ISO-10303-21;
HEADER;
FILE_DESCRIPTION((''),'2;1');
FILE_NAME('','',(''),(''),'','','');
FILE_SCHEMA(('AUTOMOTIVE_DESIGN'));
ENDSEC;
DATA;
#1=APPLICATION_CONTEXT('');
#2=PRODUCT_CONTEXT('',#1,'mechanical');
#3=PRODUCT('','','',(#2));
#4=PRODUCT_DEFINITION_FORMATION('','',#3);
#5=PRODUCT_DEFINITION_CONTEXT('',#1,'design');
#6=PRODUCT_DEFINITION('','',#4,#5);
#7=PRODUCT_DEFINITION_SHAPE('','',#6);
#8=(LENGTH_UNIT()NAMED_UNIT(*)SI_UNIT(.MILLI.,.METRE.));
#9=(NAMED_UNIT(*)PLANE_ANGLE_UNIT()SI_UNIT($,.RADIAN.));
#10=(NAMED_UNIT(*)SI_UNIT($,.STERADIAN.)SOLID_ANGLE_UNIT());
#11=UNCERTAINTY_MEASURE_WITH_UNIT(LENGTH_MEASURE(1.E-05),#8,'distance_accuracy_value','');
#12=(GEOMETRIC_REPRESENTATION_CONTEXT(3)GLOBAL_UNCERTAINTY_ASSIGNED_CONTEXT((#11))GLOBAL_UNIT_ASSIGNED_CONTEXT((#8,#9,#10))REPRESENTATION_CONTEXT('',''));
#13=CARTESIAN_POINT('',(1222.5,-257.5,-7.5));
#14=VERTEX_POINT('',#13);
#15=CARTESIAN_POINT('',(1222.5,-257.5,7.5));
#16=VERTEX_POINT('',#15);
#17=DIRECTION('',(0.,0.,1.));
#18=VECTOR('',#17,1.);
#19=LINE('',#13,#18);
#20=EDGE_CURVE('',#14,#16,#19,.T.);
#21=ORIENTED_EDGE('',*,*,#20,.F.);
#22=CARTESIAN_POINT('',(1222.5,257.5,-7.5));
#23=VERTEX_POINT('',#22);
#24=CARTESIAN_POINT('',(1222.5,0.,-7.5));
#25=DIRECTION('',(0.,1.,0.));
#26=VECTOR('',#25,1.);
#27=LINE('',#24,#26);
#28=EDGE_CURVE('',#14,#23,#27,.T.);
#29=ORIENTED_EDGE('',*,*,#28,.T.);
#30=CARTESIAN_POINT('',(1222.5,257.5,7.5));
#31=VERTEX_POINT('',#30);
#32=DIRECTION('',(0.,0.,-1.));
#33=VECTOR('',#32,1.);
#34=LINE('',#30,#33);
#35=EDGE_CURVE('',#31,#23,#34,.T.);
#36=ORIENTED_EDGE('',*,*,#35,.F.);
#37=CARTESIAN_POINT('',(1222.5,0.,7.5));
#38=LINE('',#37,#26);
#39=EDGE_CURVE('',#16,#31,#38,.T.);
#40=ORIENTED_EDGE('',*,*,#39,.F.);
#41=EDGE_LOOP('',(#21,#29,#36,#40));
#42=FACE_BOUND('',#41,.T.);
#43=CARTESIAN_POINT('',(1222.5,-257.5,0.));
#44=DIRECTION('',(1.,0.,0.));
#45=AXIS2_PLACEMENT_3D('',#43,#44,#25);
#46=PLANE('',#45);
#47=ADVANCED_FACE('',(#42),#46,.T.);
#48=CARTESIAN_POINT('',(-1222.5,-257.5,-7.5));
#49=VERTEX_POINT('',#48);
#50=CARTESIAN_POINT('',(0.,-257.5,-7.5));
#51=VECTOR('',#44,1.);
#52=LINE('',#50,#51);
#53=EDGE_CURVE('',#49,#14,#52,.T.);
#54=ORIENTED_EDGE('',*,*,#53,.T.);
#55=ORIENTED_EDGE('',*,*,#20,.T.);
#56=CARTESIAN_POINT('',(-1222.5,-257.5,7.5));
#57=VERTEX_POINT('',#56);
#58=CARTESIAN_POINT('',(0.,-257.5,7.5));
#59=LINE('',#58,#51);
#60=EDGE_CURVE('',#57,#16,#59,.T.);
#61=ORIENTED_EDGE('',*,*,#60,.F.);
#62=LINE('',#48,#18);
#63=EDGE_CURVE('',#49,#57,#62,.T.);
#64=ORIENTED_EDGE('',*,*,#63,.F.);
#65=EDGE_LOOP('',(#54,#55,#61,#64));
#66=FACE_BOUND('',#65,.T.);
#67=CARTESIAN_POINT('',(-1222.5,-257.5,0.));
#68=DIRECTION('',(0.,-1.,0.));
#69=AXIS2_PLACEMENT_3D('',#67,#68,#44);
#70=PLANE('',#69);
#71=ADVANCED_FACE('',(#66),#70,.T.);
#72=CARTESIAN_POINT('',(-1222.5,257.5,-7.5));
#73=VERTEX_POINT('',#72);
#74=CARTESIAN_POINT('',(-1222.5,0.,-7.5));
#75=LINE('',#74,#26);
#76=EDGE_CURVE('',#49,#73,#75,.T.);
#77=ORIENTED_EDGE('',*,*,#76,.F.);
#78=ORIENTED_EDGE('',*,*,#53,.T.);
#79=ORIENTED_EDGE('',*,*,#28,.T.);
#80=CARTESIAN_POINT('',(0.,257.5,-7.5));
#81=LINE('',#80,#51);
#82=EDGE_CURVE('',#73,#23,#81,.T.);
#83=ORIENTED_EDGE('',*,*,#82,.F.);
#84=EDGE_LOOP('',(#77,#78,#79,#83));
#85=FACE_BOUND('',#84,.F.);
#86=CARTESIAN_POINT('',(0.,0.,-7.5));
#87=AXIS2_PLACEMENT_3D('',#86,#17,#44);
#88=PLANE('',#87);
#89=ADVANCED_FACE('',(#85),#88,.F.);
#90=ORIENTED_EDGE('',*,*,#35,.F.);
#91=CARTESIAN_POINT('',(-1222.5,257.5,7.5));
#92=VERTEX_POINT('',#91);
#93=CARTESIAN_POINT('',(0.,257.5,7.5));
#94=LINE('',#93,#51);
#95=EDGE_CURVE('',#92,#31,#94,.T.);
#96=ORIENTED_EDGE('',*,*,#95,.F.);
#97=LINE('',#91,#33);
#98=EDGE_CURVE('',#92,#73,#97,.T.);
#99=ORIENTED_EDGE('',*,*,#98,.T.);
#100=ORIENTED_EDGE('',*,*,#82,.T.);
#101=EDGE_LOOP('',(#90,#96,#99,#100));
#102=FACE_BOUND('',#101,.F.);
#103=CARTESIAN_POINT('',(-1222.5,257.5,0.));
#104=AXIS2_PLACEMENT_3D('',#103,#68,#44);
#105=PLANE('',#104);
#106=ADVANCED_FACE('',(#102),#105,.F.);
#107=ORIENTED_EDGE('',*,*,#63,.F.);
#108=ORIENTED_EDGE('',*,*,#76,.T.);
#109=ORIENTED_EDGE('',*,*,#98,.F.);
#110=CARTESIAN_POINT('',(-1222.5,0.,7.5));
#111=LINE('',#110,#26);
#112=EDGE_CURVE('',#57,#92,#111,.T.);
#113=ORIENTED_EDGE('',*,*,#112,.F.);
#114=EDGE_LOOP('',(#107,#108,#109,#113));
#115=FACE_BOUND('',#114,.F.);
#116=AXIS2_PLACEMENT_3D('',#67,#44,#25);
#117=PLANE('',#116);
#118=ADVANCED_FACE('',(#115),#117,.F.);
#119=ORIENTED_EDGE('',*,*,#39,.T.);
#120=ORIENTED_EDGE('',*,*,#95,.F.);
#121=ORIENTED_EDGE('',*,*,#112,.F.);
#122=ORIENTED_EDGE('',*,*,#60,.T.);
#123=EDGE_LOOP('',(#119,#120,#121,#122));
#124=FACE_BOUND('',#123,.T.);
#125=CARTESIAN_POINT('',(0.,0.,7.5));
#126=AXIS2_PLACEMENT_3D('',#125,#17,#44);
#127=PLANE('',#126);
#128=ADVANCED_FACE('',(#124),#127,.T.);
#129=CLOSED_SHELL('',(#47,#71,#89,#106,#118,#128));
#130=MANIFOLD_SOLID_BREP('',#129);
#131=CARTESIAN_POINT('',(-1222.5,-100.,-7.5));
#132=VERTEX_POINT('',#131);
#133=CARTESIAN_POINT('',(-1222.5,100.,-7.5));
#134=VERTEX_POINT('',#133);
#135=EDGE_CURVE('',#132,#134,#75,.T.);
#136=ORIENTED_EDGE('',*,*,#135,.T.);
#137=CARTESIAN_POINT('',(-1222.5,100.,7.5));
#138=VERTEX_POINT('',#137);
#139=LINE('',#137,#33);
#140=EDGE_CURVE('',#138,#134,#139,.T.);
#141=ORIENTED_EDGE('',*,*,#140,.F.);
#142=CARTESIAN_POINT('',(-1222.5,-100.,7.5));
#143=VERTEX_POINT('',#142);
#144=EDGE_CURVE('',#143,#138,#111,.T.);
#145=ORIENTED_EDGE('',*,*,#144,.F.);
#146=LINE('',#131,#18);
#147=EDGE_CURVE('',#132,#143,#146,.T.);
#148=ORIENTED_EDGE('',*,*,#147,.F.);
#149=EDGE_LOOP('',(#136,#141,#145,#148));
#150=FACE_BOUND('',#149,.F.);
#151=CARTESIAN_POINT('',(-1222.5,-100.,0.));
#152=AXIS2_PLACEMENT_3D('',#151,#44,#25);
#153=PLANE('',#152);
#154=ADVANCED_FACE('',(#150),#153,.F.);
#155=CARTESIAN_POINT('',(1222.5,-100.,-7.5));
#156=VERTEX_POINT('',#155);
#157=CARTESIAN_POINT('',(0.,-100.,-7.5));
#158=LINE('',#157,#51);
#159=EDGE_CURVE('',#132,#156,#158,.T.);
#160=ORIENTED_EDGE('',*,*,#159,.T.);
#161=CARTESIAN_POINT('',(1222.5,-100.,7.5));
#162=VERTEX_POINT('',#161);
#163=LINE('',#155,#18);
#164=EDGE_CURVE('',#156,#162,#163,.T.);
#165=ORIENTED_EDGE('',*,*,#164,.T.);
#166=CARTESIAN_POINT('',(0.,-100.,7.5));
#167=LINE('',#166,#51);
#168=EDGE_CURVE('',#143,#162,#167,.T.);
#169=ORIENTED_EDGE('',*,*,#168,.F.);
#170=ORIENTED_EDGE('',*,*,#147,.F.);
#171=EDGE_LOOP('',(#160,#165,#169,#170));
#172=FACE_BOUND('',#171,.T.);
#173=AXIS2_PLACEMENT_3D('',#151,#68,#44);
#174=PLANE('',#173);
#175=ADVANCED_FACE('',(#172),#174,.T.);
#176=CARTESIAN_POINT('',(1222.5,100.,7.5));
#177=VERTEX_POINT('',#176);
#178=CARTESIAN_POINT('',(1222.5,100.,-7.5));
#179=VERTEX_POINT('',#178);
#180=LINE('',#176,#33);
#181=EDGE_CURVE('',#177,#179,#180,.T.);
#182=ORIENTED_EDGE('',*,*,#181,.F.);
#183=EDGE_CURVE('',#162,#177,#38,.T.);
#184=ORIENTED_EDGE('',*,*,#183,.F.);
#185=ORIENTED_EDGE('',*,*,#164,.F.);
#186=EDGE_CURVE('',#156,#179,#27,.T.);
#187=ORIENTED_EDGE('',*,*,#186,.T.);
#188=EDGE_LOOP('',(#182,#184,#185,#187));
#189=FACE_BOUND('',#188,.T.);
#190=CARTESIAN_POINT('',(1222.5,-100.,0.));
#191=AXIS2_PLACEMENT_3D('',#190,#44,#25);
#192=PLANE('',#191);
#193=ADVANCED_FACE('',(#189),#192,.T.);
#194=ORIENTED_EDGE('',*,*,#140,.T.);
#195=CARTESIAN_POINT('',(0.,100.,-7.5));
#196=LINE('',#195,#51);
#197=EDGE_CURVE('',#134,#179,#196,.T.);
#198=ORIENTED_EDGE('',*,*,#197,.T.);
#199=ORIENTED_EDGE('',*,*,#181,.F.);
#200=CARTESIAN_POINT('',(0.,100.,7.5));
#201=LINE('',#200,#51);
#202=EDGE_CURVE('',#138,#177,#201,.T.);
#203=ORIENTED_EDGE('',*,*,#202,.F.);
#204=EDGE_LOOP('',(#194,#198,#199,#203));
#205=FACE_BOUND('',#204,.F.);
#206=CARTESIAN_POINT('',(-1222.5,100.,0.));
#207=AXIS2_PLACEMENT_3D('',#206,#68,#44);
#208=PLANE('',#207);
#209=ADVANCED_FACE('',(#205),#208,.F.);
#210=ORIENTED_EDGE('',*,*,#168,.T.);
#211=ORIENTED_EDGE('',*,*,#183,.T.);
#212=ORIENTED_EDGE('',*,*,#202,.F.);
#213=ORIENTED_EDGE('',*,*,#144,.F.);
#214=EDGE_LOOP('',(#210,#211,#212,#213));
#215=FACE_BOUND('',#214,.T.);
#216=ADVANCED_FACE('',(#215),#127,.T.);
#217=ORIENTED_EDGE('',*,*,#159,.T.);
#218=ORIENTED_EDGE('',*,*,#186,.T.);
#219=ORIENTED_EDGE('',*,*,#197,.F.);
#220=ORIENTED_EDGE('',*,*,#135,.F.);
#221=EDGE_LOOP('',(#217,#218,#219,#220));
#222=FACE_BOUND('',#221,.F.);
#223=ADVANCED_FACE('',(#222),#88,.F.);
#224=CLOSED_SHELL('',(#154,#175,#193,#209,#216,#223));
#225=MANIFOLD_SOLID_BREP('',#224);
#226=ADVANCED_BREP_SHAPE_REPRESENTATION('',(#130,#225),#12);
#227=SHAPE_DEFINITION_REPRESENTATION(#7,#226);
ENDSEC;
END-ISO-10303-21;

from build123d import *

# Parameters (mm, degrees)
F0_W     = 2445
F0_H     = 515
F1_DEPTH = 7.5
F2_W     = 2445
F2_H     = 200
F3_DEPTH = 7.5


with BuildPart() as f1:
    # F0 (on Top) → F1 (new body, symmetric)
    with BuildSketch(Plane.XY):
        Rectangle(F0_W, F0_H)
    extrude(amount=F1_DEPTH, both=True)


with BuildPart() as f3:
    # F2 (on Top) → F3 (new body, symmetric)
    with BuildSketch(Plane.XY):
        Rectangle(F2_W, F2_H)
    extrude(amount=F3_DEPTH, both=True)


solid = Compound([f1.part, f3.part])
